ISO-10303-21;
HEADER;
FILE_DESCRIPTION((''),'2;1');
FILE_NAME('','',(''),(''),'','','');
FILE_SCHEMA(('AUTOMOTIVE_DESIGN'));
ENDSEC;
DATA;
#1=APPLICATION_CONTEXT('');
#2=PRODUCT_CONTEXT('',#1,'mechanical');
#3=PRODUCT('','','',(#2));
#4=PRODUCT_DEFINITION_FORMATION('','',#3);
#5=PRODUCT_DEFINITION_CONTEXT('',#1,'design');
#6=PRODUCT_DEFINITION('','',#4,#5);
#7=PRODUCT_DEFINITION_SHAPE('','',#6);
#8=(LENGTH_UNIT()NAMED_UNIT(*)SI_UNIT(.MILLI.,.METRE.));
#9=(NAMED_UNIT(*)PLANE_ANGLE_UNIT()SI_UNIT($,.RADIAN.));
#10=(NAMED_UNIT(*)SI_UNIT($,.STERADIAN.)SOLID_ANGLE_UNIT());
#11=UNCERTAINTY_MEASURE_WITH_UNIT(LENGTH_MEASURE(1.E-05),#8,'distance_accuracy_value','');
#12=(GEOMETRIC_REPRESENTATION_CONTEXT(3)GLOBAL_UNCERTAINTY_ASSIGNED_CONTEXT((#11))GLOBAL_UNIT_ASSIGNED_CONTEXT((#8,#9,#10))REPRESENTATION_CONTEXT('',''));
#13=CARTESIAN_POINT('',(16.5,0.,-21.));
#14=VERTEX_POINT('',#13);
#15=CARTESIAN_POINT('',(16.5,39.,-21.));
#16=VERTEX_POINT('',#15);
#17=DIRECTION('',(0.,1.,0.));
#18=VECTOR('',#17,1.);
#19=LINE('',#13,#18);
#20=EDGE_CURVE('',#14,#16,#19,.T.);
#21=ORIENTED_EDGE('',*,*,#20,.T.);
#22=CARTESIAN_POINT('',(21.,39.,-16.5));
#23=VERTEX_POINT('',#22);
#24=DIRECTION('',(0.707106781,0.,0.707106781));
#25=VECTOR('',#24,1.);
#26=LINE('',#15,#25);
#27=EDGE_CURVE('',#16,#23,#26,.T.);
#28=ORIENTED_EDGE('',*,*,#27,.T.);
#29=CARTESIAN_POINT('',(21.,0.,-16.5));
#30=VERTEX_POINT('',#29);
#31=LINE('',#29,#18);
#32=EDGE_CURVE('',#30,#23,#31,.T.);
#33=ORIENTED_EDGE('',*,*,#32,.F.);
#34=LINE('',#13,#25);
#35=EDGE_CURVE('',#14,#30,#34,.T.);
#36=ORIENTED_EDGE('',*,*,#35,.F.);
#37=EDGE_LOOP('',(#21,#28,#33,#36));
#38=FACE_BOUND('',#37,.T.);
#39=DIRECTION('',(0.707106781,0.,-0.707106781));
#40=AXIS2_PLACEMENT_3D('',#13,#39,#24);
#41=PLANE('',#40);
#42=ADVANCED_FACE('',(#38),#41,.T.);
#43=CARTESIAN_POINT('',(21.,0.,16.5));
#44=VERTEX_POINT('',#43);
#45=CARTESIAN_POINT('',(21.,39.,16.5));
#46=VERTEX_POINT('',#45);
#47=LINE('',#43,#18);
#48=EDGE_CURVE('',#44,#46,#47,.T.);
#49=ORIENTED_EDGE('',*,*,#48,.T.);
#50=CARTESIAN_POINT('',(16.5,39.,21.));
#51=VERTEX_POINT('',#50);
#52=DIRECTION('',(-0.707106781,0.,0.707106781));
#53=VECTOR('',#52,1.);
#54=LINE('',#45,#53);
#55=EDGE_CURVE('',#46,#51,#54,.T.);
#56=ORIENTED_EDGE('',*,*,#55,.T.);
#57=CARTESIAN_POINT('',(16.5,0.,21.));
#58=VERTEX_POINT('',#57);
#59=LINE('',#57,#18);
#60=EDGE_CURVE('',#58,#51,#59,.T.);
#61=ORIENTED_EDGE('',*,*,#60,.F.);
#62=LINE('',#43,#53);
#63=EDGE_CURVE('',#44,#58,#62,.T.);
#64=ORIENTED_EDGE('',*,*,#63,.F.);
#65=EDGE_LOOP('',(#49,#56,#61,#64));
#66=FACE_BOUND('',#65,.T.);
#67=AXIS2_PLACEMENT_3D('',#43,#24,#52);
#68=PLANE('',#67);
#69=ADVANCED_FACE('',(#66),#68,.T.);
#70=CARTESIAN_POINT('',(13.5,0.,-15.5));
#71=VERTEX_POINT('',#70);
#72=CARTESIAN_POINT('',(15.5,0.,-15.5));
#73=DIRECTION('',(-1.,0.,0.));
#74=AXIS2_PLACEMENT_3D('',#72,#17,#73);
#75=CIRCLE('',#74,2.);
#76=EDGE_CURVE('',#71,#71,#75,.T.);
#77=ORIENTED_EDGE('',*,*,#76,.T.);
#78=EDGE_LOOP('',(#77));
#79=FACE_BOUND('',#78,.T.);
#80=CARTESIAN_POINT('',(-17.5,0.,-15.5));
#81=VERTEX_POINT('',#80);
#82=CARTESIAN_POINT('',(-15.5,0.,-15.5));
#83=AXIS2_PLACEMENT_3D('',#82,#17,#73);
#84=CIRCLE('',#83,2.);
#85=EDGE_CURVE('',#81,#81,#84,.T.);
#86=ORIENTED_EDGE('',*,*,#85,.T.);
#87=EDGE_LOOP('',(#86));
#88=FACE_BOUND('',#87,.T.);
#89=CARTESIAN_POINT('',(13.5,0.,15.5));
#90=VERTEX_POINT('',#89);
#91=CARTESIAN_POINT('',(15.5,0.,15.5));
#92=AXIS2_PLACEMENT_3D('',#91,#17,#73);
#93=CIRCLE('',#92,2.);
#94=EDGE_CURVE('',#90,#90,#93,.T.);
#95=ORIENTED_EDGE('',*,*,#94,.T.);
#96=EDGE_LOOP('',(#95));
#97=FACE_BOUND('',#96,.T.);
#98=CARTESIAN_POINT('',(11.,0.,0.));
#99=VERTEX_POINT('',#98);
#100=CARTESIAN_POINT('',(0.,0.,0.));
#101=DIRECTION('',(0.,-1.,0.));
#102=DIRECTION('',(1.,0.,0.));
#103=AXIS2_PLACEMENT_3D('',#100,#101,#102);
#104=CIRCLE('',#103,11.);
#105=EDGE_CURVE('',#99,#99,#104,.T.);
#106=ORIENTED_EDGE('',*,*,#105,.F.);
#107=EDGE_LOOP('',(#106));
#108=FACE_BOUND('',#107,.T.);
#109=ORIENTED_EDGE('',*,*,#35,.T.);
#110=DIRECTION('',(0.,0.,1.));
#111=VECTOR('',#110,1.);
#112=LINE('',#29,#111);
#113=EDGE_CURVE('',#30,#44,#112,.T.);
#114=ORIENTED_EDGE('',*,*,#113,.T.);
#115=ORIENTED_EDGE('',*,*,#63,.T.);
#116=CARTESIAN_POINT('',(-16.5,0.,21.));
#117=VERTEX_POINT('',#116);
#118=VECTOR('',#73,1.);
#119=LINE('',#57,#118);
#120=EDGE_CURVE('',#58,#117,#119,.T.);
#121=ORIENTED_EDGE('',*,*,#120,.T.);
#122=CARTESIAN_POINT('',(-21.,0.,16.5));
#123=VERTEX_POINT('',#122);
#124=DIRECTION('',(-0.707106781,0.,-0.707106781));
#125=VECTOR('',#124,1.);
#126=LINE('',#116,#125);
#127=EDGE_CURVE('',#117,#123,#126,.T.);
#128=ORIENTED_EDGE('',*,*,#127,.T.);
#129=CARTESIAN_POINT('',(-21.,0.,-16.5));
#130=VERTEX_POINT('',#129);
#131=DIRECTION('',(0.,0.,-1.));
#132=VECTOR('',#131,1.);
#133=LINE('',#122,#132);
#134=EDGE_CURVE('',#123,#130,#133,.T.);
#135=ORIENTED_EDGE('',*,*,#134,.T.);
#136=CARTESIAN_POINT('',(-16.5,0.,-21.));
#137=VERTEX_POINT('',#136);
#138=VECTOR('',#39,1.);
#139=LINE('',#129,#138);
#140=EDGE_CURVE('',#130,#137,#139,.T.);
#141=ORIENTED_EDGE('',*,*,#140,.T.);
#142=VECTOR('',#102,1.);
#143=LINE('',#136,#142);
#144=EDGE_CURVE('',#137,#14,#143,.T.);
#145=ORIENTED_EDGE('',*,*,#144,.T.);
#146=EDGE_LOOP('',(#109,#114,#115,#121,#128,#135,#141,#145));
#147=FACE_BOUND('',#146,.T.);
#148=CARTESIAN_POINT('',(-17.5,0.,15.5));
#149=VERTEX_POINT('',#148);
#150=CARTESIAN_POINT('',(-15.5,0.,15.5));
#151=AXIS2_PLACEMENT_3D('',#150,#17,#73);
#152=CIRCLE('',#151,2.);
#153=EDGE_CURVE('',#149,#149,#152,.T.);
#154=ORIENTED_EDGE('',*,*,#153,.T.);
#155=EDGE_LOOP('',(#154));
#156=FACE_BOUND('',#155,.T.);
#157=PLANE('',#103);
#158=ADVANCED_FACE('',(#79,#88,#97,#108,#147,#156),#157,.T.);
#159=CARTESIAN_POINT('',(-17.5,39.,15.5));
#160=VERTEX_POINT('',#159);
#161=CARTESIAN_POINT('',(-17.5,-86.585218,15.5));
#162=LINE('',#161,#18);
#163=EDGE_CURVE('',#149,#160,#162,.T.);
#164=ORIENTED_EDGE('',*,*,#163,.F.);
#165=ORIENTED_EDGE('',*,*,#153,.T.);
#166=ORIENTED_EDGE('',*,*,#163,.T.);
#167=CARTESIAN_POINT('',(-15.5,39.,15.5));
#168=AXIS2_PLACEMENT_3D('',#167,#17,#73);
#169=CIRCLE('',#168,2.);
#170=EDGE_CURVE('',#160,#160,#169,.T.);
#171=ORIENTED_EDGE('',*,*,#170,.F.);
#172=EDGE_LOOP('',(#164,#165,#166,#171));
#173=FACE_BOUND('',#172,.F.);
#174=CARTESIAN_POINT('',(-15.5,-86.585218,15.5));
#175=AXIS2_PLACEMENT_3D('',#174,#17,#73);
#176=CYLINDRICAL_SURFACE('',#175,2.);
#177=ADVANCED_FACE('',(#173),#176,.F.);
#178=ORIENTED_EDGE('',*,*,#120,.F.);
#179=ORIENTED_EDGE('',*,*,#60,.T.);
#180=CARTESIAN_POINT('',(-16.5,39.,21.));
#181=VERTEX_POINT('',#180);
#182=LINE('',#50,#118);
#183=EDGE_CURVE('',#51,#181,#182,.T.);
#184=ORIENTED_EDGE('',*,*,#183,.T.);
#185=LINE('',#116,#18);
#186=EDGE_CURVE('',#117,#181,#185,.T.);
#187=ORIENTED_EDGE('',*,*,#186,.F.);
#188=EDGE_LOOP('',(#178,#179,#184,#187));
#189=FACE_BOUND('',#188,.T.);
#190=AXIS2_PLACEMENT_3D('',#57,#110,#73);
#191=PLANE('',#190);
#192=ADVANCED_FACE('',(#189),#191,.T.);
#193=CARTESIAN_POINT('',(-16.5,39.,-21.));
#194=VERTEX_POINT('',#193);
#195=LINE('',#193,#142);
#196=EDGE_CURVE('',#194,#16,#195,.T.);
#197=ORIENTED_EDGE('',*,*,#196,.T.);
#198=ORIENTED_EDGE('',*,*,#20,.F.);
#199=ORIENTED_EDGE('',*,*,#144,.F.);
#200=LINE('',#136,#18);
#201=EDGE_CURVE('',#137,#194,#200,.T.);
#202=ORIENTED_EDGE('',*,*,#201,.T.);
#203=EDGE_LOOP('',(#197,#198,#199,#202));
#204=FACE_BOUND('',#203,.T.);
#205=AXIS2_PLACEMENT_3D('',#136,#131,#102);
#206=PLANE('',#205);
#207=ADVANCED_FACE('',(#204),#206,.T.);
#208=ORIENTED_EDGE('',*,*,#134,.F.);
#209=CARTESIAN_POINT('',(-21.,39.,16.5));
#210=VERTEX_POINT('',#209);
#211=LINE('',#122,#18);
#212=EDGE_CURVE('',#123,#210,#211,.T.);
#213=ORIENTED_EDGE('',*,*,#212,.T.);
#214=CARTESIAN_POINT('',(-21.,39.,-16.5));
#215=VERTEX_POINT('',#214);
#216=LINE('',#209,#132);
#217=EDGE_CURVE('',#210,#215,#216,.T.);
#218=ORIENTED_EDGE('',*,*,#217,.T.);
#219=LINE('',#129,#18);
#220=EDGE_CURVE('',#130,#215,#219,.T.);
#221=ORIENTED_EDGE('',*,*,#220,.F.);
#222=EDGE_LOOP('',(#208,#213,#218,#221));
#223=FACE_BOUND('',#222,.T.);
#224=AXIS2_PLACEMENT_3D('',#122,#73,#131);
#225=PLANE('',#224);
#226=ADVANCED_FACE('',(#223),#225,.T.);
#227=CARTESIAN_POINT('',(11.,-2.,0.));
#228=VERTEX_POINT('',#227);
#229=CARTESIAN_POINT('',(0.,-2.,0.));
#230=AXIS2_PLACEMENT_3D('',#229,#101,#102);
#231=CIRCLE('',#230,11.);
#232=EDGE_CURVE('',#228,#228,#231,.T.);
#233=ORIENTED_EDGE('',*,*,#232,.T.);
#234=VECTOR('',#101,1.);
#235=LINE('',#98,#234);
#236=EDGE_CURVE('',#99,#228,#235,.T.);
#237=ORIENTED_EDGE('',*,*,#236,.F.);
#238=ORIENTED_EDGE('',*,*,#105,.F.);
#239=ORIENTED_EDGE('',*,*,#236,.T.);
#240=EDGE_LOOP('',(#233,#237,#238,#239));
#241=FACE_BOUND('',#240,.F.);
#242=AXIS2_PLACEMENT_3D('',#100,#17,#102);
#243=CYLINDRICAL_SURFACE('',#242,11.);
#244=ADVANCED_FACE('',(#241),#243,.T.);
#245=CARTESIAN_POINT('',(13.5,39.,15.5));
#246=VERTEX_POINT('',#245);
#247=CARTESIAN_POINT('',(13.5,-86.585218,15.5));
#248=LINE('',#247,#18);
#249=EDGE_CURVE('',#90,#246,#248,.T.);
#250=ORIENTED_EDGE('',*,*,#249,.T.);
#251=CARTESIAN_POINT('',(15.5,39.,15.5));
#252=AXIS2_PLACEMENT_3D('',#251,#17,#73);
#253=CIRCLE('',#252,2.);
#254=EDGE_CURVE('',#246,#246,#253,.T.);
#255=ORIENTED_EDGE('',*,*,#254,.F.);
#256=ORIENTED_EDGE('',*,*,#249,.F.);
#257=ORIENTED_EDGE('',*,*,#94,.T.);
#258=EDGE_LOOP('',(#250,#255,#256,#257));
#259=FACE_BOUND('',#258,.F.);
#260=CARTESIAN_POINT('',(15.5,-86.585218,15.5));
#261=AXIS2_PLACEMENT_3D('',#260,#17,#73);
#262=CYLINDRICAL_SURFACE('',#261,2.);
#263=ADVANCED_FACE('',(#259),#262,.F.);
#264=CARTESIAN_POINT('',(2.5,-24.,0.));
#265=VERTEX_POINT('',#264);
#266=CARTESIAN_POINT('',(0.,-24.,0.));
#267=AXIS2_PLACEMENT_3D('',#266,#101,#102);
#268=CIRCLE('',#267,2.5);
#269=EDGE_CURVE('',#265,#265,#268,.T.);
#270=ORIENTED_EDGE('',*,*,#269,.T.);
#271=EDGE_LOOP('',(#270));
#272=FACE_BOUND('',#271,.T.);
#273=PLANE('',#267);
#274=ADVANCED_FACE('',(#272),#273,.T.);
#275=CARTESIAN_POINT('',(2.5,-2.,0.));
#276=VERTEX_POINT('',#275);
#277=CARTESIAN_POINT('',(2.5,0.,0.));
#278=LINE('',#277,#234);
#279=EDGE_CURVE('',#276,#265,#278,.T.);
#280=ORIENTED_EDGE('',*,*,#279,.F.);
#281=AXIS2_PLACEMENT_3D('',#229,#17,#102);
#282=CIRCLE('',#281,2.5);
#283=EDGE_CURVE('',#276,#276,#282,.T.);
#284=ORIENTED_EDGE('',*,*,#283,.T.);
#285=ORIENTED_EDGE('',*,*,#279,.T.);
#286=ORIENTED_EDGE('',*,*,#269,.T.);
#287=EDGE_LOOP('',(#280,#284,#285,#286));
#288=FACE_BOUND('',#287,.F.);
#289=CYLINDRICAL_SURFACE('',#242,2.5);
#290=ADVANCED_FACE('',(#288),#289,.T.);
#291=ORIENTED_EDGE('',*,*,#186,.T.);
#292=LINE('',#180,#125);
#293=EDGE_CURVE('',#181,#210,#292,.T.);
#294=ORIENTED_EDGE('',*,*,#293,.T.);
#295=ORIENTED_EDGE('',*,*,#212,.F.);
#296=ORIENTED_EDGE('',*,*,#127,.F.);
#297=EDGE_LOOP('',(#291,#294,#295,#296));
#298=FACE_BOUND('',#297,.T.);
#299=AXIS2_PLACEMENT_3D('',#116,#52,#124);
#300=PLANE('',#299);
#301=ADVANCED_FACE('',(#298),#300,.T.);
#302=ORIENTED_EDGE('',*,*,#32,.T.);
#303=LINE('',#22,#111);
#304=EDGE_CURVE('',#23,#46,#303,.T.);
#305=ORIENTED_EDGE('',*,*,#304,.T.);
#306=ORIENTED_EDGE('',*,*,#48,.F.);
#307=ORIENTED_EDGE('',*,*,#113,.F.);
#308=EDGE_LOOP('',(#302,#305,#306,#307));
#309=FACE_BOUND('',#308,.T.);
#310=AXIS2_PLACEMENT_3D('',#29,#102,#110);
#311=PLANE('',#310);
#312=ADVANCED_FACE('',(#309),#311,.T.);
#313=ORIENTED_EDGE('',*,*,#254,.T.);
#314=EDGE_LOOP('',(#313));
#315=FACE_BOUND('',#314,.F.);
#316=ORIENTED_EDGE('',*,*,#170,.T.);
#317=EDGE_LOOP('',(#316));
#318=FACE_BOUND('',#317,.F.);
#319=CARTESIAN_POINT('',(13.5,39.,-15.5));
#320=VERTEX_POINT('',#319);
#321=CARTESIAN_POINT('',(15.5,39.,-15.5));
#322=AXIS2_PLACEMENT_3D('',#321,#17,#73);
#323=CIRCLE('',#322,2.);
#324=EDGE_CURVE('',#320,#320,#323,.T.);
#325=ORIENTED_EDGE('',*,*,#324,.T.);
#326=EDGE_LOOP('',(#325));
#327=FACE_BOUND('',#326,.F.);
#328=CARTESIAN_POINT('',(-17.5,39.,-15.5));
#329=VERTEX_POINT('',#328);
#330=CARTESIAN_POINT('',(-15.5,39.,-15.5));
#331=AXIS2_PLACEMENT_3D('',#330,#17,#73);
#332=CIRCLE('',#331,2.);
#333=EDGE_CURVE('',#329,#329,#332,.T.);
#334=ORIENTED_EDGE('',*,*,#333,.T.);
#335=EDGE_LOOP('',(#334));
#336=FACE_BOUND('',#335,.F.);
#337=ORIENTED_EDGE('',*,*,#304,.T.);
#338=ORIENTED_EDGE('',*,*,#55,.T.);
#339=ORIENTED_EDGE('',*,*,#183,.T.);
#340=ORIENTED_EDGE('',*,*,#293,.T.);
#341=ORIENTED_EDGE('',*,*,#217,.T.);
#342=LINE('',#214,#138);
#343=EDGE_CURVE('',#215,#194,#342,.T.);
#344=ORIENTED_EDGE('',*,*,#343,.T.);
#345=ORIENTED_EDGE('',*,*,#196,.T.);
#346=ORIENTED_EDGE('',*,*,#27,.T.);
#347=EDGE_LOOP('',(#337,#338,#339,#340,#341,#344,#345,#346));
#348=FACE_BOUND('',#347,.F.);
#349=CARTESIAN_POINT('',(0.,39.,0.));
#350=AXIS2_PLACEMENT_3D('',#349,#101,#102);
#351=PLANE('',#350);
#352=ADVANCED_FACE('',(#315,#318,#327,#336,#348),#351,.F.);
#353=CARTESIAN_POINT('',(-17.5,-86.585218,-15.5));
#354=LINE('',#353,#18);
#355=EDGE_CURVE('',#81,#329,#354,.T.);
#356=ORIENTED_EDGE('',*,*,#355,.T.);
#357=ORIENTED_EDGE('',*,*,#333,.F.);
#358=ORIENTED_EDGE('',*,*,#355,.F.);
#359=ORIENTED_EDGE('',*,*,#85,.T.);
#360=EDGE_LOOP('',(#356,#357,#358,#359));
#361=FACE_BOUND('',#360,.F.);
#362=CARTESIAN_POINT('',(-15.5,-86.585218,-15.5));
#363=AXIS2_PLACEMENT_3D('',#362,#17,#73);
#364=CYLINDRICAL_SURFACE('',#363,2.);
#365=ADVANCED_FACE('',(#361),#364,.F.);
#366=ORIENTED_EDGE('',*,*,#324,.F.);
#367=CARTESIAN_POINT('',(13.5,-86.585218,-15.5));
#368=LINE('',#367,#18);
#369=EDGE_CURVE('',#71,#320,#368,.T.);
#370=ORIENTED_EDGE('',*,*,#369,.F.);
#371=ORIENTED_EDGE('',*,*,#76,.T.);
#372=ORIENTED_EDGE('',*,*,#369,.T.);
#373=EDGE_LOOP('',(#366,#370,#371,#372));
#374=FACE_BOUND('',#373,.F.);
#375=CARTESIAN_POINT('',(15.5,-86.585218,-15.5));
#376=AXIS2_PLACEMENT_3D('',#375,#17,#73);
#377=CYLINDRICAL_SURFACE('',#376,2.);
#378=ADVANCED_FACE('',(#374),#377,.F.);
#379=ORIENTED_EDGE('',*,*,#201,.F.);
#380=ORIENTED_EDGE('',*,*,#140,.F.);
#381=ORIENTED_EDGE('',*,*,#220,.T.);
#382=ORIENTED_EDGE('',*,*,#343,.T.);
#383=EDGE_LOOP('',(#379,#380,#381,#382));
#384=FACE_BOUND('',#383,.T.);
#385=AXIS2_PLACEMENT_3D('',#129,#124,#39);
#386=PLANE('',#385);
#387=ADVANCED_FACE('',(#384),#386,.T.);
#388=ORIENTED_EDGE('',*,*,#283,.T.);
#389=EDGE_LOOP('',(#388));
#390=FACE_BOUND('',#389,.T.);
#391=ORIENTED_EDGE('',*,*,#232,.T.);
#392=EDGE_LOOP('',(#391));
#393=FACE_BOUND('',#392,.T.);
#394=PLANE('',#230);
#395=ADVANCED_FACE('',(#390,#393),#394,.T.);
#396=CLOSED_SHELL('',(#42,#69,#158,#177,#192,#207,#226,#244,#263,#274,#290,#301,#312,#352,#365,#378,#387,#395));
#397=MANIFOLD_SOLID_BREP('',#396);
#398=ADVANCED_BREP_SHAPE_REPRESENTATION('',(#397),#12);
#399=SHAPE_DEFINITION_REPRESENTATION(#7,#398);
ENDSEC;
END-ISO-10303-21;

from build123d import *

# Parameters (mm, degrees)
F0_R     = 2.5
F3_DEPTH = 24
F1_R     = 11
F4_DEPTH = 2
F5_DEPTH = 39
F7_D     = 4


with BuildPart() as f3:
    # F0 (on Front) → F3 (new body)
    with BuildSketch(Plane.XZ):
        Circle(F0_R)
    extrude(amount=F3_DEPTH)

    # F1 (on Front) → F4 (join)
    with BuildSketch(Plane.XZ):
        Circle(F1_R)
    extrude(amount=F4_DEPTH)

    # F2 (on Front) → F5 (join)
    with BuildSketch(Plane.XZ):
        Polygon((21, 16.5), (16.5, 21), (-16.5, 21), (-21, 16.5), (-21, -16.5), (-16.5, -21), (16.5, -21), (21, -16.5), align=None)
    extrude(amount=-F5_DEPTH)

    # F7 (through all)
    with Locations(Plane.XZ):
        with Locations((-15.5, 15.5), (15.5, 15.5), (15.5, -15.5), (-15.5, -15.5)):
            Hole(F7_D / 2)


solid = f3.part
